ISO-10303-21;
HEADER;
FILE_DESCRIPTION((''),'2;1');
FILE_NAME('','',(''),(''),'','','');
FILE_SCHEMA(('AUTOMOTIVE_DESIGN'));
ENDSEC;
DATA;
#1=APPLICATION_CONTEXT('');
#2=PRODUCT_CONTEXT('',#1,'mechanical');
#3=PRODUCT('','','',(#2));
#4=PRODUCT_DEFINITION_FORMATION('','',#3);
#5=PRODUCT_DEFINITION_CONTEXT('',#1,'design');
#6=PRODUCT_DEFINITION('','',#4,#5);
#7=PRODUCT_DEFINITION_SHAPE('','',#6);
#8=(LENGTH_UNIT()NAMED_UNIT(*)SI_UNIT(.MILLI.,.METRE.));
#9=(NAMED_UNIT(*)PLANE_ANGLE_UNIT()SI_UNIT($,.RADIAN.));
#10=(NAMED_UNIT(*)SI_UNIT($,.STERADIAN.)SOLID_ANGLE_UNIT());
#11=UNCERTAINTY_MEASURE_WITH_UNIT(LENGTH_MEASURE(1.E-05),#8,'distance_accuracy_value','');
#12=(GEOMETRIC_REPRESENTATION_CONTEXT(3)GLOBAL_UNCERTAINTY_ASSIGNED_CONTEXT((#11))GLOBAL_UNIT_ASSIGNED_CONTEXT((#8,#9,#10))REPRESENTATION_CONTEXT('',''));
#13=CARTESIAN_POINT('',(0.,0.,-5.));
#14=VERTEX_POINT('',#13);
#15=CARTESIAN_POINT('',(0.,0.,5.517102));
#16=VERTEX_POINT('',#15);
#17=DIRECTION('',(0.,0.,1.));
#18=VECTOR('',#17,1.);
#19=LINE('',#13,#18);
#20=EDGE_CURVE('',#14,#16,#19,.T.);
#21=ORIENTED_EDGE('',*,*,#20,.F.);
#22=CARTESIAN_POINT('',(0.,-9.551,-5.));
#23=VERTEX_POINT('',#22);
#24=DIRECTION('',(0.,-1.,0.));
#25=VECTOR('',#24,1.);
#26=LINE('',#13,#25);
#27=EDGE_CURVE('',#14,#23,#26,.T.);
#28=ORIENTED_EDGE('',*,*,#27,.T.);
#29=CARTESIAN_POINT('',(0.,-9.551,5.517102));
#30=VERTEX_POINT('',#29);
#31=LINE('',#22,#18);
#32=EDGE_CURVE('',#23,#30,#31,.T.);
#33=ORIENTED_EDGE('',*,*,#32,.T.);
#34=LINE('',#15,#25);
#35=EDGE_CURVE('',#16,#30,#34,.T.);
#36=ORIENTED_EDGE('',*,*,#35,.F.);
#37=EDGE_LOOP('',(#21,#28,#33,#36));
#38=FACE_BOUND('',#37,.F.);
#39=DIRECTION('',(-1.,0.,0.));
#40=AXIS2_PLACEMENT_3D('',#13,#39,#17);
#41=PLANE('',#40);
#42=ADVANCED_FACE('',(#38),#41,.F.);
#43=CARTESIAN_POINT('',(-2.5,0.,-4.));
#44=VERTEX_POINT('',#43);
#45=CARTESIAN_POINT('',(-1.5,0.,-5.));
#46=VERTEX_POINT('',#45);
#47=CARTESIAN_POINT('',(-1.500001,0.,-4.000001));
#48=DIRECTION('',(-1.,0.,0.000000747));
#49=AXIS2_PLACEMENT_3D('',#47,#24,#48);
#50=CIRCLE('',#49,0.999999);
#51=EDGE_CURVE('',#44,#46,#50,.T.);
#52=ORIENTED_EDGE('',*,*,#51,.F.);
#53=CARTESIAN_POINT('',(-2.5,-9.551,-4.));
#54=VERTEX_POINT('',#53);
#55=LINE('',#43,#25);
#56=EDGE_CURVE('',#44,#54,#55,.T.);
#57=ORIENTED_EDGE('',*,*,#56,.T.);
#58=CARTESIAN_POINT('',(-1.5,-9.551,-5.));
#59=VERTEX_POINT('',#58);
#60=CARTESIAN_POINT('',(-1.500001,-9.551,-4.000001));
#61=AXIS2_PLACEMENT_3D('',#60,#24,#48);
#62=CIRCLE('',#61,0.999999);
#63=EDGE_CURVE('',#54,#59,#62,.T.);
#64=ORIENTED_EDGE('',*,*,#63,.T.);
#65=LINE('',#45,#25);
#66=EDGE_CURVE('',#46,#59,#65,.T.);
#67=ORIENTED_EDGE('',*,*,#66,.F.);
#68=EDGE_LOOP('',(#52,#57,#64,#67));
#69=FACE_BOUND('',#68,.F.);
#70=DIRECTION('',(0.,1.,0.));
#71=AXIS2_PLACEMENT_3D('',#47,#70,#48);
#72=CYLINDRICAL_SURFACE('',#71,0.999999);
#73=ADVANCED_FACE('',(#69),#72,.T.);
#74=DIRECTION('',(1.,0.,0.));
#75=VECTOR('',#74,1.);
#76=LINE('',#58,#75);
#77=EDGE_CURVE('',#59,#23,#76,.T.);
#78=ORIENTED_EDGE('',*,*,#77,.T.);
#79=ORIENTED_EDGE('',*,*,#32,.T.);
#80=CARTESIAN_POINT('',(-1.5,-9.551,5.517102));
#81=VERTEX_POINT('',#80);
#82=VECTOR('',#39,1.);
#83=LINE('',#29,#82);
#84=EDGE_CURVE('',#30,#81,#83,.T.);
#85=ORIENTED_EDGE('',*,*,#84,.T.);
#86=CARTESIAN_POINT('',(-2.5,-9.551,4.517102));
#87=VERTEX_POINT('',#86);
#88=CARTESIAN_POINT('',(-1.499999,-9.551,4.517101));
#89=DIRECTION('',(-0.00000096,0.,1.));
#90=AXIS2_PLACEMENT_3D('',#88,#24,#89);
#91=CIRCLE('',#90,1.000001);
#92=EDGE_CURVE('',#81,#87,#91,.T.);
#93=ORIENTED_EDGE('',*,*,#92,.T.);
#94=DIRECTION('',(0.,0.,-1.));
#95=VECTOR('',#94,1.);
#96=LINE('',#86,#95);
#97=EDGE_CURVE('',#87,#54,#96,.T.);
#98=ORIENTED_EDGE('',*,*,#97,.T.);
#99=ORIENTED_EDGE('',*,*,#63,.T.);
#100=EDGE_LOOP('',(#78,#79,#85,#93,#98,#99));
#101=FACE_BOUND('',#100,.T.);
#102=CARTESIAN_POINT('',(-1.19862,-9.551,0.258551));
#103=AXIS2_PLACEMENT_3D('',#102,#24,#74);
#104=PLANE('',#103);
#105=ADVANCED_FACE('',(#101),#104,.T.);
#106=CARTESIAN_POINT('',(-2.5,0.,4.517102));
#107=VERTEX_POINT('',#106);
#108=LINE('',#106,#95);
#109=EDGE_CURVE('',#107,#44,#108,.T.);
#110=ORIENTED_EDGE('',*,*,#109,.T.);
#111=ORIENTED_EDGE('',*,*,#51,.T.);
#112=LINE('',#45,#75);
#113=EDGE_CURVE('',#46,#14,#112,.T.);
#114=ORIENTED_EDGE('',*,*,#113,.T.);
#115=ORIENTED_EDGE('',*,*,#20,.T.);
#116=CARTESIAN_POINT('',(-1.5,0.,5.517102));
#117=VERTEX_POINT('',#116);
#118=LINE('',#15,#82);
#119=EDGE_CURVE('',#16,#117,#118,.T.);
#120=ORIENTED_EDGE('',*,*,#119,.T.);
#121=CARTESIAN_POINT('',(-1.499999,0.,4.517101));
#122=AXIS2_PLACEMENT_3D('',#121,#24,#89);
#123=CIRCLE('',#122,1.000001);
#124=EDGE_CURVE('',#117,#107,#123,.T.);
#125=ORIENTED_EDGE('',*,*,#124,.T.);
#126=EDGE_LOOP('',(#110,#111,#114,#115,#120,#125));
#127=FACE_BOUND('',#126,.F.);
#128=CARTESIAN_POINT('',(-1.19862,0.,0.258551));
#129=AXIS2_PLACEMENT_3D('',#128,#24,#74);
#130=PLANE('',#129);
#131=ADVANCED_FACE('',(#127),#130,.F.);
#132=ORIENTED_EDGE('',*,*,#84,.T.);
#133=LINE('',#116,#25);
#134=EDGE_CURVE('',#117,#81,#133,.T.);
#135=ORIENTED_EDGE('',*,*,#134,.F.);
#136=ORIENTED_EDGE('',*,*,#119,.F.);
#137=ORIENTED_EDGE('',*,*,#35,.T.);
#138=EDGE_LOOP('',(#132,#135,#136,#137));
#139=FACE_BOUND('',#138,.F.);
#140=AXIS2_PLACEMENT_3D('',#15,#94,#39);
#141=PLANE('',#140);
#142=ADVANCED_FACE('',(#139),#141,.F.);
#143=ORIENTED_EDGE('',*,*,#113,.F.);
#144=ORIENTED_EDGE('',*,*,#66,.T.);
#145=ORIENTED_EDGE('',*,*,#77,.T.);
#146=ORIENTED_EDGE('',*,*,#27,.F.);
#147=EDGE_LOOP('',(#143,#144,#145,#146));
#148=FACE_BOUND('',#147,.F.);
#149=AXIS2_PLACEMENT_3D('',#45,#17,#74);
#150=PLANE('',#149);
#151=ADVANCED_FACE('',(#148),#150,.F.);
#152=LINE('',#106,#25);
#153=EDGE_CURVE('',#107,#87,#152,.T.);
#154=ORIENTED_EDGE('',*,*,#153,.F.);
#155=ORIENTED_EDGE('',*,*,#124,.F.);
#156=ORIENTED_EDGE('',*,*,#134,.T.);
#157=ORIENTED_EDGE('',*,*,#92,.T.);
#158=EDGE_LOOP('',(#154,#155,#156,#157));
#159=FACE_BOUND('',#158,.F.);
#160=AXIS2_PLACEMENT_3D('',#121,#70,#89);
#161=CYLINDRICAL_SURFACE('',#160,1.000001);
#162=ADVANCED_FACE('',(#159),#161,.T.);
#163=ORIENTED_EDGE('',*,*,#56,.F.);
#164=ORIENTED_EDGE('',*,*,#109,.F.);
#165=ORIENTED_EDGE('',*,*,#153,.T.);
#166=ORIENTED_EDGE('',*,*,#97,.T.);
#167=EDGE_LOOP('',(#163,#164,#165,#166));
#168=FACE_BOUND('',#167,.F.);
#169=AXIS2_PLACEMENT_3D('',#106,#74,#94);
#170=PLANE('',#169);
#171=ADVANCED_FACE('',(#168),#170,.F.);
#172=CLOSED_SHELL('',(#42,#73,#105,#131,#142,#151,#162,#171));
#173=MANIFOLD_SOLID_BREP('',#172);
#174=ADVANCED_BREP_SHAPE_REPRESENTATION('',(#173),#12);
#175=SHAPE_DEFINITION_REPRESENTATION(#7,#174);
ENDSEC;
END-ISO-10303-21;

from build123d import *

# Parameters (mm, degrees)
F1_DEPTH = 9.551


with BuildPart() as f1:
    # F0 (on Front) → F1 (new body)
    with BuildSketch(Plane.XZ):
        with BuildLine():
            Line((0, -5), (0, 0))
            Line((0, 0), (0, 5.517102))
            Line((0, 5.517102), (-1.5, 5.517102))
            ThreePointArc((-1.5, 5.517102), (-2.207107, 5.224208), (-2.5, 4.517102))
            Line((-2.5, 4.517102), (-2.5, -4))
            ThreePointArc((-2.5, -4), (-2.207107, -4.707107), (-1.5, -5))
            Line((-1.5, -5), (0, -5))
        make_face()
    extrude(amount=F1_DEPTH)


solid = f1.part
